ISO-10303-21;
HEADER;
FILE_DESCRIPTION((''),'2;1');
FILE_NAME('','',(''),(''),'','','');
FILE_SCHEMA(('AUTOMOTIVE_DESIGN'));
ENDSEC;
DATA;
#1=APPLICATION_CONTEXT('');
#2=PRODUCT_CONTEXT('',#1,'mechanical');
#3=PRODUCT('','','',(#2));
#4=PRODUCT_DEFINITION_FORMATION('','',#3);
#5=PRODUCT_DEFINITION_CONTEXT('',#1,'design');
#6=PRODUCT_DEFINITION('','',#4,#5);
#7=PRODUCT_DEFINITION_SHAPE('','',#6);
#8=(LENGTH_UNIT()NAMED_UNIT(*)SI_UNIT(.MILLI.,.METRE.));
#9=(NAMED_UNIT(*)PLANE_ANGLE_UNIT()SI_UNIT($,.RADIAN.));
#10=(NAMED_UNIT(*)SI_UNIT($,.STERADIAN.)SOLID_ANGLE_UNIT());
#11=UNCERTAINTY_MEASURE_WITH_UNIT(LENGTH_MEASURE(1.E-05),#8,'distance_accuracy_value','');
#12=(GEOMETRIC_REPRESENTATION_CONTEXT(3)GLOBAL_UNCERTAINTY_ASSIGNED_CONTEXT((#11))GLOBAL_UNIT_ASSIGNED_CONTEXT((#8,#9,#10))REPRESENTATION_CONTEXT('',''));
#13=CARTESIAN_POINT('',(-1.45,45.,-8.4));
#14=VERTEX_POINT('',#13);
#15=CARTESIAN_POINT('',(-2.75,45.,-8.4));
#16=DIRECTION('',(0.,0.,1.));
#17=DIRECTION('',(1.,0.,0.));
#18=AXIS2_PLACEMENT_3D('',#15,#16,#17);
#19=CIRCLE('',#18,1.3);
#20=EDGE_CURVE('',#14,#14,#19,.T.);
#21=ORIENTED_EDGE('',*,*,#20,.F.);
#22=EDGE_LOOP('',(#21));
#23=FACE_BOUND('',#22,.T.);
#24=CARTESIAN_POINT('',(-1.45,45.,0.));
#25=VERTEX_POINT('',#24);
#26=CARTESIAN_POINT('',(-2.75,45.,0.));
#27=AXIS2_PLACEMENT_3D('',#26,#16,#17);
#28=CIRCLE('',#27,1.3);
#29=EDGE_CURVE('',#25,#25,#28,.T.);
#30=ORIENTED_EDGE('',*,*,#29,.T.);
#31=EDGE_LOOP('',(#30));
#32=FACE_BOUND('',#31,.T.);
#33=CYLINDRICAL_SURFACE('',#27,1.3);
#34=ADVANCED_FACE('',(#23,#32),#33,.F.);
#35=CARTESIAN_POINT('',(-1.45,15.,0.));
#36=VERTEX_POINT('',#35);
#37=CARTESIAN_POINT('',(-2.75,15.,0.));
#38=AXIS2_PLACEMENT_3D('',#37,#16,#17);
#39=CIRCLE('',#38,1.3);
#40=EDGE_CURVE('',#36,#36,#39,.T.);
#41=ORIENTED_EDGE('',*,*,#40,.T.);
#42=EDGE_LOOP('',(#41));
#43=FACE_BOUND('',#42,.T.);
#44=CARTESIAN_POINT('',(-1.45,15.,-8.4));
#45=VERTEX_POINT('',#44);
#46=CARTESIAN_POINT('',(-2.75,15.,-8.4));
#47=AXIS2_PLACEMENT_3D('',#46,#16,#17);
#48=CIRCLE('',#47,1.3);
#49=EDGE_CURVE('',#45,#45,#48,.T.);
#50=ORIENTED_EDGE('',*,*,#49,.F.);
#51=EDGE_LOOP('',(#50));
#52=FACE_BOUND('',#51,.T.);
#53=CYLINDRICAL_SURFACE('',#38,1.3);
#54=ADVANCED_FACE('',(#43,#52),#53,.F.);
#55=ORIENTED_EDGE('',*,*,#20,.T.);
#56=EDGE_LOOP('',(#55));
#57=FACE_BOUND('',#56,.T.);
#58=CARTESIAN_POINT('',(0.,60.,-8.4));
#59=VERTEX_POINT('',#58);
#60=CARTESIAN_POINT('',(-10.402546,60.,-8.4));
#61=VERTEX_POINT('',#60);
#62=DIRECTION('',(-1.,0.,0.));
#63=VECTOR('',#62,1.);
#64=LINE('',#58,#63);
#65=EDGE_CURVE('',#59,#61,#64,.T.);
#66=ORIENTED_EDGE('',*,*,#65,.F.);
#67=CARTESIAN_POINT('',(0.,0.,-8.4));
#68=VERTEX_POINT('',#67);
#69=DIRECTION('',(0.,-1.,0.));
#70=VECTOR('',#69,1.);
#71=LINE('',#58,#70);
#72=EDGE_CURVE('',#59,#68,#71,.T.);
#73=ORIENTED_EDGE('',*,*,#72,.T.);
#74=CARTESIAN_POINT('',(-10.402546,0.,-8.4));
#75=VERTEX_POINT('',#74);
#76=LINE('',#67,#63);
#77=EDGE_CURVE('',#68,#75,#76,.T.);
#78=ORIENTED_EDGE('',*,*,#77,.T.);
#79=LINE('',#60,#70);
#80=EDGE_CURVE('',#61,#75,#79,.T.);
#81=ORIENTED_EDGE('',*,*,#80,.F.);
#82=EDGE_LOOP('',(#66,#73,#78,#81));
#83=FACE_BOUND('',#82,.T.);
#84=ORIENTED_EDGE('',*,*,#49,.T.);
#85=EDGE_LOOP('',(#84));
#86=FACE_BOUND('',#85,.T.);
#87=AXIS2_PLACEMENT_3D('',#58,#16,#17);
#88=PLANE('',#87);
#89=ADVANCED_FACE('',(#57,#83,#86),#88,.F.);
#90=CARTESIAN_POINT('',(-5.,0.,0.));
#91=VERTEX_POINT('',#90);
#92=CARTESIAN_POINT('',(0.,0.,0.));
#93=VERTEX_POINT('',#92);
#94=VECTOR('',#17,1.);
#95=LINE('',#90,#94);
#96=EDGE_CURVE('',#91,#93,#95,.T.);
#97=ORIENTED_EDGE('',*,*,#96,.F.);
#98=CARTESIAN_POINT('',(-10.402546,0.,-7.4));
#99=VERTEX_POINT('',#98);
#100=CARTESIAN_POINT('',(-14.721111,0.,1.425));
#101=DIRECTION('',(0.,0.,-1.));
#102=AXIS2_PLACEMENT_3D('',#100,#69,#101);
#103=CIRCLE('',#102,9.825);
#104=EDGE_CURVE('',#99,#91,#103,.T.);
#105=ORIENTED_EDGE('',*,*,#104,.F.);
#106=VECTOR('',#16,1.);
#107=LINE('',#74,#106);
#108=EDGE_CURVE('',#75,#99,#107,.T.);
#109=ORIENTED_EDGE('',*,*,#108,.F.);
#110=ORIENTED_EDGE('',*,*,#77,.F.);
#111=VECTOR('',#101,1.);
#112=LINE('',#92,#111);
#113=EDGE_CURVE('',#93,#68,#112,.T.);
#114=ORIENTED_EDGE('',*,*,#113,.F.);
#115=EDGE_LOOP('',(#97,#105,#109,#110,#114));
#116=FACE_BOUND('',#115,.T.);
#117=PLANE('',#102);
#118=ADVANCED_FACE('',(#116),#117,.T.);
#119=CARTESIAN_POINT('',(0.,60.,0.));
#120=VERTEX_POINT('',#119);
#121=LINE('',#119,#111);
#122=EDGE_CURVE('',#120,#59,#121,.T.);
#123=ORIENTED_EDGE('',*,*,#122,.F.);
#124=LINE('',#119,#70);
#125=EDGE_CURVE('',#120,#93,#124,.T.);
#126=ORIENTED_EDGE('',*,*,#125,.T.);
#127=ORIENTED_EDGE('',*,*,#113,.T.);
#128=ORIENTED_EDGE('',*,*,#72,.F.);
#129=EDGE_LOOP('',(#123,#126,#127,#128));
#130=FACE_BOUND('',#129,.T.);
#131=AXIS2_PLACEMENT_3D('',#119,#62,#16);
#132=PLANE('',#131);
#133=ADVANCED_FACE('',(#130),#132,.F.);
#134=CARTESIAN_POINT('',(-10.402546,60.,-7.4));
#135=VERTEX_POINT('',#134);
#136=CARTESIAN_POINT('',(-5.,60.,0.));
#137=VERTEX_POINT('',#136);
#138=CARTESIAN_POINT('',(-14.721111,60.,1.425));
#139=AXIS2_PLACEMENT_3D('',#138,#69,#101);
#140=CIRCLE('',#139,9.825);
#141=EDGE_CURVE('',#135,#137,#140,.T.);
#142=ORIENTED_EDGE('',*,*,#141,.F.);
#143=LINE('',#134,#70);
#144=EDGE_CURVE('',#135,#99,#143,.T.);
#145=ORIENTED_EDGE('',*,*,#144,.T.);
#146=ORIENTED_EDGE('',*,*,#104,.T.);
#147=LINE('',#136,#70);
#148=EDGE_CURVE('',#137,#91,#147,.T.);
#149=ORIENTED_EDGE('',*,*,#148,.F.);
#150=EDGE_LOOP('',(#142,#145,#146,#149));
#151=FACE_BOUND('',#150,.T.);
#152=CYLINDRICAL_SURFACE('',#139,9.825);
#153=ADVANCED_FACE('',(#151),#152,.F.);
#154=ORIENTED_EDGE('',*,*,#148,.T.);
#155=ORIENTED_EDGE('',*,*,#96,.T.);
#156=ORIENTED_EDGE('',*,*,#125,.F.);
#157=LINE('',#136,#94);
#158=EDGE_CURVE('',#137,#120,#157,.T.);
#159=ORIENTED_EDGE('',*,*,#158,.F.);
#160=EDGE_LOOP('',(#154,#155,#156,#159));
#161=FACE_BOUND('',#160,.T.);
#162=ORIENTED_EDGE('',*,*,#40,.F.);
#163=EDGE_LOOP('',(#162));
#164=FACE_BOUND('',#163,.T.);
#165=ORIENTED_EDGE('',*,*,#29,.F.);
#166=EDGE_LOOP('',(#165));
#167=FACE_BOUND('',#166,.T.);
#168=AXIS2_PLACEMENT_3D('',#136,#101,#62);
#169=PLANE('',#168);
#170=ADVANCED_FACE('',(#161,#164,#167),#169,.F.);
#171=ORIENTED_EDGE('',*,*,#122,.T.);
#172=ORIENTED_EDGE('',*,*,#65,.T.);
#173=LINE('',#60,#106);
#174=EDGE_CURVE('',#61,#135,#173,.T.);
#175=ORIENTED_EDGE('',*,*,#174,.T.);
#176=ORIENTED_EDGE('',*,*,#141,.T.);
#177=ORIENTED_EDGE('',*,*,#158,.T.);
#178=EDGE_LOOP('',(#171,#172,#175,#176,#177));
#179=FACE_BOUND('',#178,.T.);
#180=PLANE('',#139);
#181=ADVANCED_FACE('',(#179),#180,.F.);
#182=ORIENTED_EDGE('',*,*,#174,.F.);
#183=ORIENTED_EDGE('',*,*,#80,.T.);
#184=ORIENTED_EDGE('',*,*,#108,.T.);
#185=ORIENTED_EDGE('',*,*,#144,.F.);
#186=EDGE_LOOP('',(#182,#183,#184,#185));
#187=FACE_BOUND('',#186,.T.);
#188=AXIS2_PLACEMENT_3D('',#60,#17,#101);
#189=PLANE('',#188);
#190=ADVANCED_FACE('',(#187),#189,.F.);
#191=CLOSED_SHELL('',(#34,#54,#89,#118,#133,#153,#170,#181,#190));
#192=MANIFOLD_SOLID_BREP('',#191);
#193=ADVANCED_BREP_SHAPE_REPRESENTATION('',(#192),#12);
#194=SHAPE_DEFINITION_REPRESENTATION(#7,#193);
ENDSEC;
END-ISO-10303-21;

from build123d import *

# Parameters (mm, degrees)
BOSS_EXTRUDE1_DEPTH        = 60
F_2_6_2_6_DIAMETER_HOLE1_D = 2.6


with BuildPart() as part:
    # Sketch1 → Boss-Extrude1 (new body)
    with BuildSketch(Plane(origin=(0, 0, 0), x_dir=(1, 0, 0), z_dir=(0, 1, 0))):
        with BuildLine():
            Line((0, 0), (0, 8.4))
            Line((0, 8.4), (-10.402546471, 8.4))
            Line((-10.402546471, 8.4), (-10.402546471, 7.4))
            ThreePointArc((-10.402546471, 7.4), (-6.785865437, 4.368315294), (-5, 0))
            Line((-5, 0), (0, 0))
        make_face()
    extrude(amount=BOSS_EXTRUDE1_DEPTH)

    # Ø2.6 (2.6) Diameter Hole1 (through all)
    with Locations(Plane(origin=(-2.75, 45, 0), x_dir=(1, 0, 0), z_dir=(0, 0, 1))):
        with Locations((0, 0), (0, -30)):
            Hole(F_2_6_2_6_DIAMETER_HOLE1_D / 2)


solid = part.part
